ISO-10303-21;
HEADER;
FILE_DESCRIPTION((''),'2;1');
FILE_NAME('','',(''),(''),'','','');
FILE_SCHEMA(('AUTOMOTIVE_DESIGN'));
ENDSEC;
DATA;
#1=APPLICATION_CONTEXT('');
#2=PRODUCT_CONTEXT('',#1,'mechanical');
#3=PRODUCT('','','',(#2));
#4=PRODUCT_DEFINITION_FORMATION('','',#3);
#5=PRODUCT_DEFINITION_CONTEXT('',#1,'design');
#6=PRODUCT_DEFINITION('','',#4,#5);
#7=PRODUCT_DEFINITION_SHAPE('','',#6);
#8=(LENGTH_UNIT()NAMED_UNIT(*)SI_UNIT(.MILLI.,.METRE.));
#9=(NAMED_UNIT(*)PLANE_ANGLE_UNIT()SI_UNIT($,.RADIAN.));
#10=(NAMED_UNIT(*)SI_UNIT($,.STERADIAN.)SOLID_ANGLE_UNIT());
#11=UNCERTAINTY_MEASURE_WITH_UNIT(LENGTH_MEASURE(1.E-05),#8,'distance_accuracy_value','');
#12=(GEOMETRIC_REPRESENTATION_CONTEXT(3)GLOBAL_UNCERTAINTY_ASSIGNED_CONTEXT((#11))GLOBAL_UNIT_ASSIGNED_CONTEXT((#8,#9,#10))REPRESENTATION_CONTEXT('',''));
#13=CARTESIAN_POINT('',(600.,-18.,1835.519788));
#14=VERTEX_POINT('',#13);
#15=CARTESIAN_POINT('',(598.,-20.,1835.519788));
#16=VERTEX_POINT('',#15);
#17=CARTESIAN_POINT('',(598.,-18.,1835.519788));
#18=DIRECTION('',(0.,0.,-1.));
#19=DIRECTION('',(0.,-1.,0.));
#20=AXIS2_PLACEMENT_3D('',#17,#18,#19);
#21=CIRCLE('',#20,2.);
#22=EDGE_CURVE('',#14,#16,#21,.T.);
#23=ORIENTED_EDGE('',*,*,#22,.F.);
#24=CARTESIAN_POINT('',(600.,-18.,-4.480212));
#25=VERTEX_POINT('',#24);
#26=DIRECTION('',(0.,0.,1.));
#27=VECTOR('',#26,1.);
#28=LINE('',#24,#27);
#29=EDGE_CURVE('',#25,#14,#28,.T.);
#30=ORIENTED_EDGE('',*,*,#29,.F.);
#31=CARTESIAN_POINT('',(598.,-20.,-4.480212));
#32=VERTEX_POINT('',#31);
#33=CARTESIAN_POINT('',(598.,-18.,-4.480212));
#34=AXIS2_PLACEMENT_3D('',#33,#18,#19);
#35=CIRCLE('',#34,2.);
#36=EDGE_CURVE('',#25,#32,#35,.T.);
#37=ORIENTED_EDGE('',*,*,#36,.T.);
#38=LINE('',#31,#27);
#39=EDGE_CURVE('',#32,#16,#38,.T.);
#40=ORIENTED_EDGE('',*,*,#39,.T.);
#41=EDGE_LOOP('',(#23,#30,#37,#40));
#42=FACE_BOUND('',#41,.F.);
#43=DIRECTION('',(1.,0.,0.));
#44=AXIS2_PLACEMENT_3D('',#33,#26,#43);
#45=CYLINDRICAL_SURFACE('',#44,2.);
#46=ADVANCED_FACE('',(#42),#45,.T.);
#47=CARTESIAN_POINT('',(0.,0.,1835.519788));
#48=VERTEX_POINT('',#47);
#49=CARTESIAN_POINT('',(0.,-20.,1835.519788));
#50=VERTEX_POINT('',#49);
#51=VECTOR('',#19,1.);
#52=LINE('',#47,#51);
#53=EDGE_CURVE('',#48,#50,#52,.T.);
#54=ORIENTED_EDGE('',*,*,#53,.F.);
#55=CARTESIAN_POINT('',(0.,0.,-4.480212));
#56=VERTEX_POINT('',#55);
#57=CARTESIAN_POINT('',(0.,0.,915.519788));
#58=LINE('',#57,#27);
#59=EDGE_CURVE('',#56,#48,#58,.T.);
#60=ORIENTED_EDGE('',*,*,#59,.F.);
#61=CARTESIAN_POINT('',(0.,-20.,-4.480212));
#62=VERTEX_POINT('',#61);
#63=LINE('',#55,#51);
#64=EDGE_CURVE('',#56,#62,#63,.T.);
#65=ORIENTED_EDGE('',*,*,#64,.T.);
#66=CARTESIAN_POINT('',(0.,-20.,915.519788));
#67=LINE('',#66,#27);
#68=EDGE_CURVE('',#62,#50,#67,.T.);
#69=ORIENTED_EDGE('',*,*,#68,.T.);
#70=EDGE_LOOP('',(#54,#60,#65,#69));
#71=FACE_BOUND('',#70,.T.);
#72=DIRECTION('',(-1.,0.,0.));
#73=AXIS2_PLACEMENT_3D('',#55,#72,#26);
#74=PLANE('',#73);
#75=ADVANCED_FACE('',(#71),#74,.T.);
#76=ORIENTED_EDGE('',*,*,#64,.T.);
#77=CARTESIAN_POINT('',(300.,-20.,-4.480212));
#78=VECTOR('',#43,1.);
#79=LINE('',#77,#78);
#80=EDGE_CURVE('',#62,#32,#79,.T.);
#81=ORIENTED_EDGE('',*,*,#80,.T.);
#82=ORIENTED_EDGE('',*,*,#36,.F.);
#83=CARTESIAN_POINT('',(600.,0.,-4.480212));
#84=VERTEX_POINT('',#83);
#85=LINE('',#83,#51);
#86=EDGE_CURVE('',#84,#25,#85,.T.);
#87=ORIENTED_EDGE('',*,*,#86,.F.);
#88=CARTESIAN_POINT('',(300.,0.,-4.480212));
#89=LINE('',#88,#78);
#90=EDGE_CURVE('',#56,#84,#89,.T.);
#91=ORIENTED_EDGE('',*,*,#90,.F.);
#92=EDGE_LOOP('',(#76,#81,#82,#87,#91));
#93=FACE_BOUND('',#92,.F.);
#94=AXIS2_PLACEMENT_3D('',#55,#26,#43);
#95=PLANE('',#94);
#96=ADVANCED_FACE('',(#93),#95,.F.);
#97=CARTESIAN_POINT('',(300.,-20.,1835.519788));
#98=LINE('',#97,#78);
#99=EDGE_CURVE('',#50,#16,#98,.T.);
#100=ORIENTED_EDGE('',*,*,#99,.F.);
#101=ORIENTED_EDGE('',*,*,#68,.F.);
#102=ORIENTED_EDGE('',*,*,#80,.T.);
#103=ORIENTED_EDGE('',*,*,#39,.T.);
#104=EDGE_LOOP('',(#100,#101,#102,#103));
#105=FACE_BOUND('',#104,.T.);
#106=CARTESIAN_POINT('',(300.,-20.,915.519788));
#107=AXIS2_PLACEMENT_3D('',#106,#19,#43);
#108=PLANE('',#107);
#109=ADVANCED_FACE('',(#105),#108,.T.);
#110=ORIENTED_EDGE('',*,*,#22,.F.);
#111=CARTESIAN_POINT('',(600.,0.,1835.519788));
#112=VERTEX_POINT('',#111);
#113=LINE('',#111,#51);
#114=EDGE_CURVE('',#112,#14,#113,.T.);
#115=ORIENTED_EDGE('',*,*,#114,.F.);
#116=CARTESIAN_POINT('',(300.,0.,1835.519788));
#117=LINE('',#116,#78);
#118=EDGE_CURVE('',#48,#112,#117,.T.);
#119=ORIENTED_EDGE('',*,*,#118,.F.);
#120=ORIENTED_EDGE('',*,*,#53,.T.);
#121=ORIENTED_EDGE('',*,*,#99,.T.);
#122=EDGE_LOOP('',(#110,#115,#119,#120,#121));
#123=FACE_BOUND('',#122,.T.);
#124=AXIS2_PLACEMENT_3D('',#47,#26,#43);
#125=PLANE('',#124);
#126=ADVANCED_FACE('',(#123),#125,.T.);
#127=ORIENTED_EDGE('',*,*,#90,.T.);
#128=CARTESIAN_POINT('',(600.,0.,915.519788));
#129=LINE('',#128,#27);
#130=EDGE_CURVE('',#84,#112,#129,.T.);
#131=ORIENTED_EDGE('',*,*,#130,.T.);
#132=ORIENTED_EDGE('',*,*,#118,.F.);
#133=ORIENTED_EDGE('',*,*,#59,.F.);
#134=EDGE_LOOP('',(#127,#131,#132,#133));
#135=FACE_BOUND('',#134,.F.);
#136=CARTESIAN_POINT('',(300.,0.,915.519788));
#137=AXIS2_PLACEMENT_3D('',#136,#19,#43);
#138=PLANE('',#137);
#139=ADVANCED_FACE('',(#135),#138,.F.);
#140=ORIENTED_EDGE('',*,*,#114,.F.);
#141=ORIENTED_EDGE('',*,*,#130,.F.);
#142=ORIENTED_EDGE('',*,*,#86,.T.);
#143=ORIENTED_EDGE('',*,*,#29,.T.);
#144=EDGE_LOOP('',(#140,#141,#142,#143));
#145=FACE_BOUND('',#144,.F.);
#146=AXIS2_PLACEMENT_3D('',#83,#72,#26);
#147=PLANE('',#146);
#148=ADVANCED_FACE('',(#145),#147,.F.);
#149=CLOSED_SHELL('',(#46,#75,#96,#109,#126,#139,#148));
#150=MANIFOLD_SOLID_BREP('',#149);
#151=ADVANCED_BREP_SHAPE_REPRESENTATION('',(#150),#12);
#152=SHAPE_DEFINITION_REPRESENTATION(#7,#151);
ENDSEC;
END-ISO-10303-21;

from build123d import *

# Parameters (mm, degrees)
F0_W     = 600
F0_H     = 1840
F1_DEPTH = 20
F2_R     = 2


with BuildPart() as f1:
    # F0 (on Front) → F1 (new body)
    with BuildSketch(Plane.XZ):
        with Locations((300, 915.519788)):
            Rectangle(F0_W, F0_H)
    extrude(amount=F1_DEPTH)

    # F2
    f2_edges = [f1.edges().sort_by_distance(p)[0] for p in [
        (600, -20, 915.519788),
    ]]
    fillet(f2_edges, radius=F2_R)


solid = f1.part
